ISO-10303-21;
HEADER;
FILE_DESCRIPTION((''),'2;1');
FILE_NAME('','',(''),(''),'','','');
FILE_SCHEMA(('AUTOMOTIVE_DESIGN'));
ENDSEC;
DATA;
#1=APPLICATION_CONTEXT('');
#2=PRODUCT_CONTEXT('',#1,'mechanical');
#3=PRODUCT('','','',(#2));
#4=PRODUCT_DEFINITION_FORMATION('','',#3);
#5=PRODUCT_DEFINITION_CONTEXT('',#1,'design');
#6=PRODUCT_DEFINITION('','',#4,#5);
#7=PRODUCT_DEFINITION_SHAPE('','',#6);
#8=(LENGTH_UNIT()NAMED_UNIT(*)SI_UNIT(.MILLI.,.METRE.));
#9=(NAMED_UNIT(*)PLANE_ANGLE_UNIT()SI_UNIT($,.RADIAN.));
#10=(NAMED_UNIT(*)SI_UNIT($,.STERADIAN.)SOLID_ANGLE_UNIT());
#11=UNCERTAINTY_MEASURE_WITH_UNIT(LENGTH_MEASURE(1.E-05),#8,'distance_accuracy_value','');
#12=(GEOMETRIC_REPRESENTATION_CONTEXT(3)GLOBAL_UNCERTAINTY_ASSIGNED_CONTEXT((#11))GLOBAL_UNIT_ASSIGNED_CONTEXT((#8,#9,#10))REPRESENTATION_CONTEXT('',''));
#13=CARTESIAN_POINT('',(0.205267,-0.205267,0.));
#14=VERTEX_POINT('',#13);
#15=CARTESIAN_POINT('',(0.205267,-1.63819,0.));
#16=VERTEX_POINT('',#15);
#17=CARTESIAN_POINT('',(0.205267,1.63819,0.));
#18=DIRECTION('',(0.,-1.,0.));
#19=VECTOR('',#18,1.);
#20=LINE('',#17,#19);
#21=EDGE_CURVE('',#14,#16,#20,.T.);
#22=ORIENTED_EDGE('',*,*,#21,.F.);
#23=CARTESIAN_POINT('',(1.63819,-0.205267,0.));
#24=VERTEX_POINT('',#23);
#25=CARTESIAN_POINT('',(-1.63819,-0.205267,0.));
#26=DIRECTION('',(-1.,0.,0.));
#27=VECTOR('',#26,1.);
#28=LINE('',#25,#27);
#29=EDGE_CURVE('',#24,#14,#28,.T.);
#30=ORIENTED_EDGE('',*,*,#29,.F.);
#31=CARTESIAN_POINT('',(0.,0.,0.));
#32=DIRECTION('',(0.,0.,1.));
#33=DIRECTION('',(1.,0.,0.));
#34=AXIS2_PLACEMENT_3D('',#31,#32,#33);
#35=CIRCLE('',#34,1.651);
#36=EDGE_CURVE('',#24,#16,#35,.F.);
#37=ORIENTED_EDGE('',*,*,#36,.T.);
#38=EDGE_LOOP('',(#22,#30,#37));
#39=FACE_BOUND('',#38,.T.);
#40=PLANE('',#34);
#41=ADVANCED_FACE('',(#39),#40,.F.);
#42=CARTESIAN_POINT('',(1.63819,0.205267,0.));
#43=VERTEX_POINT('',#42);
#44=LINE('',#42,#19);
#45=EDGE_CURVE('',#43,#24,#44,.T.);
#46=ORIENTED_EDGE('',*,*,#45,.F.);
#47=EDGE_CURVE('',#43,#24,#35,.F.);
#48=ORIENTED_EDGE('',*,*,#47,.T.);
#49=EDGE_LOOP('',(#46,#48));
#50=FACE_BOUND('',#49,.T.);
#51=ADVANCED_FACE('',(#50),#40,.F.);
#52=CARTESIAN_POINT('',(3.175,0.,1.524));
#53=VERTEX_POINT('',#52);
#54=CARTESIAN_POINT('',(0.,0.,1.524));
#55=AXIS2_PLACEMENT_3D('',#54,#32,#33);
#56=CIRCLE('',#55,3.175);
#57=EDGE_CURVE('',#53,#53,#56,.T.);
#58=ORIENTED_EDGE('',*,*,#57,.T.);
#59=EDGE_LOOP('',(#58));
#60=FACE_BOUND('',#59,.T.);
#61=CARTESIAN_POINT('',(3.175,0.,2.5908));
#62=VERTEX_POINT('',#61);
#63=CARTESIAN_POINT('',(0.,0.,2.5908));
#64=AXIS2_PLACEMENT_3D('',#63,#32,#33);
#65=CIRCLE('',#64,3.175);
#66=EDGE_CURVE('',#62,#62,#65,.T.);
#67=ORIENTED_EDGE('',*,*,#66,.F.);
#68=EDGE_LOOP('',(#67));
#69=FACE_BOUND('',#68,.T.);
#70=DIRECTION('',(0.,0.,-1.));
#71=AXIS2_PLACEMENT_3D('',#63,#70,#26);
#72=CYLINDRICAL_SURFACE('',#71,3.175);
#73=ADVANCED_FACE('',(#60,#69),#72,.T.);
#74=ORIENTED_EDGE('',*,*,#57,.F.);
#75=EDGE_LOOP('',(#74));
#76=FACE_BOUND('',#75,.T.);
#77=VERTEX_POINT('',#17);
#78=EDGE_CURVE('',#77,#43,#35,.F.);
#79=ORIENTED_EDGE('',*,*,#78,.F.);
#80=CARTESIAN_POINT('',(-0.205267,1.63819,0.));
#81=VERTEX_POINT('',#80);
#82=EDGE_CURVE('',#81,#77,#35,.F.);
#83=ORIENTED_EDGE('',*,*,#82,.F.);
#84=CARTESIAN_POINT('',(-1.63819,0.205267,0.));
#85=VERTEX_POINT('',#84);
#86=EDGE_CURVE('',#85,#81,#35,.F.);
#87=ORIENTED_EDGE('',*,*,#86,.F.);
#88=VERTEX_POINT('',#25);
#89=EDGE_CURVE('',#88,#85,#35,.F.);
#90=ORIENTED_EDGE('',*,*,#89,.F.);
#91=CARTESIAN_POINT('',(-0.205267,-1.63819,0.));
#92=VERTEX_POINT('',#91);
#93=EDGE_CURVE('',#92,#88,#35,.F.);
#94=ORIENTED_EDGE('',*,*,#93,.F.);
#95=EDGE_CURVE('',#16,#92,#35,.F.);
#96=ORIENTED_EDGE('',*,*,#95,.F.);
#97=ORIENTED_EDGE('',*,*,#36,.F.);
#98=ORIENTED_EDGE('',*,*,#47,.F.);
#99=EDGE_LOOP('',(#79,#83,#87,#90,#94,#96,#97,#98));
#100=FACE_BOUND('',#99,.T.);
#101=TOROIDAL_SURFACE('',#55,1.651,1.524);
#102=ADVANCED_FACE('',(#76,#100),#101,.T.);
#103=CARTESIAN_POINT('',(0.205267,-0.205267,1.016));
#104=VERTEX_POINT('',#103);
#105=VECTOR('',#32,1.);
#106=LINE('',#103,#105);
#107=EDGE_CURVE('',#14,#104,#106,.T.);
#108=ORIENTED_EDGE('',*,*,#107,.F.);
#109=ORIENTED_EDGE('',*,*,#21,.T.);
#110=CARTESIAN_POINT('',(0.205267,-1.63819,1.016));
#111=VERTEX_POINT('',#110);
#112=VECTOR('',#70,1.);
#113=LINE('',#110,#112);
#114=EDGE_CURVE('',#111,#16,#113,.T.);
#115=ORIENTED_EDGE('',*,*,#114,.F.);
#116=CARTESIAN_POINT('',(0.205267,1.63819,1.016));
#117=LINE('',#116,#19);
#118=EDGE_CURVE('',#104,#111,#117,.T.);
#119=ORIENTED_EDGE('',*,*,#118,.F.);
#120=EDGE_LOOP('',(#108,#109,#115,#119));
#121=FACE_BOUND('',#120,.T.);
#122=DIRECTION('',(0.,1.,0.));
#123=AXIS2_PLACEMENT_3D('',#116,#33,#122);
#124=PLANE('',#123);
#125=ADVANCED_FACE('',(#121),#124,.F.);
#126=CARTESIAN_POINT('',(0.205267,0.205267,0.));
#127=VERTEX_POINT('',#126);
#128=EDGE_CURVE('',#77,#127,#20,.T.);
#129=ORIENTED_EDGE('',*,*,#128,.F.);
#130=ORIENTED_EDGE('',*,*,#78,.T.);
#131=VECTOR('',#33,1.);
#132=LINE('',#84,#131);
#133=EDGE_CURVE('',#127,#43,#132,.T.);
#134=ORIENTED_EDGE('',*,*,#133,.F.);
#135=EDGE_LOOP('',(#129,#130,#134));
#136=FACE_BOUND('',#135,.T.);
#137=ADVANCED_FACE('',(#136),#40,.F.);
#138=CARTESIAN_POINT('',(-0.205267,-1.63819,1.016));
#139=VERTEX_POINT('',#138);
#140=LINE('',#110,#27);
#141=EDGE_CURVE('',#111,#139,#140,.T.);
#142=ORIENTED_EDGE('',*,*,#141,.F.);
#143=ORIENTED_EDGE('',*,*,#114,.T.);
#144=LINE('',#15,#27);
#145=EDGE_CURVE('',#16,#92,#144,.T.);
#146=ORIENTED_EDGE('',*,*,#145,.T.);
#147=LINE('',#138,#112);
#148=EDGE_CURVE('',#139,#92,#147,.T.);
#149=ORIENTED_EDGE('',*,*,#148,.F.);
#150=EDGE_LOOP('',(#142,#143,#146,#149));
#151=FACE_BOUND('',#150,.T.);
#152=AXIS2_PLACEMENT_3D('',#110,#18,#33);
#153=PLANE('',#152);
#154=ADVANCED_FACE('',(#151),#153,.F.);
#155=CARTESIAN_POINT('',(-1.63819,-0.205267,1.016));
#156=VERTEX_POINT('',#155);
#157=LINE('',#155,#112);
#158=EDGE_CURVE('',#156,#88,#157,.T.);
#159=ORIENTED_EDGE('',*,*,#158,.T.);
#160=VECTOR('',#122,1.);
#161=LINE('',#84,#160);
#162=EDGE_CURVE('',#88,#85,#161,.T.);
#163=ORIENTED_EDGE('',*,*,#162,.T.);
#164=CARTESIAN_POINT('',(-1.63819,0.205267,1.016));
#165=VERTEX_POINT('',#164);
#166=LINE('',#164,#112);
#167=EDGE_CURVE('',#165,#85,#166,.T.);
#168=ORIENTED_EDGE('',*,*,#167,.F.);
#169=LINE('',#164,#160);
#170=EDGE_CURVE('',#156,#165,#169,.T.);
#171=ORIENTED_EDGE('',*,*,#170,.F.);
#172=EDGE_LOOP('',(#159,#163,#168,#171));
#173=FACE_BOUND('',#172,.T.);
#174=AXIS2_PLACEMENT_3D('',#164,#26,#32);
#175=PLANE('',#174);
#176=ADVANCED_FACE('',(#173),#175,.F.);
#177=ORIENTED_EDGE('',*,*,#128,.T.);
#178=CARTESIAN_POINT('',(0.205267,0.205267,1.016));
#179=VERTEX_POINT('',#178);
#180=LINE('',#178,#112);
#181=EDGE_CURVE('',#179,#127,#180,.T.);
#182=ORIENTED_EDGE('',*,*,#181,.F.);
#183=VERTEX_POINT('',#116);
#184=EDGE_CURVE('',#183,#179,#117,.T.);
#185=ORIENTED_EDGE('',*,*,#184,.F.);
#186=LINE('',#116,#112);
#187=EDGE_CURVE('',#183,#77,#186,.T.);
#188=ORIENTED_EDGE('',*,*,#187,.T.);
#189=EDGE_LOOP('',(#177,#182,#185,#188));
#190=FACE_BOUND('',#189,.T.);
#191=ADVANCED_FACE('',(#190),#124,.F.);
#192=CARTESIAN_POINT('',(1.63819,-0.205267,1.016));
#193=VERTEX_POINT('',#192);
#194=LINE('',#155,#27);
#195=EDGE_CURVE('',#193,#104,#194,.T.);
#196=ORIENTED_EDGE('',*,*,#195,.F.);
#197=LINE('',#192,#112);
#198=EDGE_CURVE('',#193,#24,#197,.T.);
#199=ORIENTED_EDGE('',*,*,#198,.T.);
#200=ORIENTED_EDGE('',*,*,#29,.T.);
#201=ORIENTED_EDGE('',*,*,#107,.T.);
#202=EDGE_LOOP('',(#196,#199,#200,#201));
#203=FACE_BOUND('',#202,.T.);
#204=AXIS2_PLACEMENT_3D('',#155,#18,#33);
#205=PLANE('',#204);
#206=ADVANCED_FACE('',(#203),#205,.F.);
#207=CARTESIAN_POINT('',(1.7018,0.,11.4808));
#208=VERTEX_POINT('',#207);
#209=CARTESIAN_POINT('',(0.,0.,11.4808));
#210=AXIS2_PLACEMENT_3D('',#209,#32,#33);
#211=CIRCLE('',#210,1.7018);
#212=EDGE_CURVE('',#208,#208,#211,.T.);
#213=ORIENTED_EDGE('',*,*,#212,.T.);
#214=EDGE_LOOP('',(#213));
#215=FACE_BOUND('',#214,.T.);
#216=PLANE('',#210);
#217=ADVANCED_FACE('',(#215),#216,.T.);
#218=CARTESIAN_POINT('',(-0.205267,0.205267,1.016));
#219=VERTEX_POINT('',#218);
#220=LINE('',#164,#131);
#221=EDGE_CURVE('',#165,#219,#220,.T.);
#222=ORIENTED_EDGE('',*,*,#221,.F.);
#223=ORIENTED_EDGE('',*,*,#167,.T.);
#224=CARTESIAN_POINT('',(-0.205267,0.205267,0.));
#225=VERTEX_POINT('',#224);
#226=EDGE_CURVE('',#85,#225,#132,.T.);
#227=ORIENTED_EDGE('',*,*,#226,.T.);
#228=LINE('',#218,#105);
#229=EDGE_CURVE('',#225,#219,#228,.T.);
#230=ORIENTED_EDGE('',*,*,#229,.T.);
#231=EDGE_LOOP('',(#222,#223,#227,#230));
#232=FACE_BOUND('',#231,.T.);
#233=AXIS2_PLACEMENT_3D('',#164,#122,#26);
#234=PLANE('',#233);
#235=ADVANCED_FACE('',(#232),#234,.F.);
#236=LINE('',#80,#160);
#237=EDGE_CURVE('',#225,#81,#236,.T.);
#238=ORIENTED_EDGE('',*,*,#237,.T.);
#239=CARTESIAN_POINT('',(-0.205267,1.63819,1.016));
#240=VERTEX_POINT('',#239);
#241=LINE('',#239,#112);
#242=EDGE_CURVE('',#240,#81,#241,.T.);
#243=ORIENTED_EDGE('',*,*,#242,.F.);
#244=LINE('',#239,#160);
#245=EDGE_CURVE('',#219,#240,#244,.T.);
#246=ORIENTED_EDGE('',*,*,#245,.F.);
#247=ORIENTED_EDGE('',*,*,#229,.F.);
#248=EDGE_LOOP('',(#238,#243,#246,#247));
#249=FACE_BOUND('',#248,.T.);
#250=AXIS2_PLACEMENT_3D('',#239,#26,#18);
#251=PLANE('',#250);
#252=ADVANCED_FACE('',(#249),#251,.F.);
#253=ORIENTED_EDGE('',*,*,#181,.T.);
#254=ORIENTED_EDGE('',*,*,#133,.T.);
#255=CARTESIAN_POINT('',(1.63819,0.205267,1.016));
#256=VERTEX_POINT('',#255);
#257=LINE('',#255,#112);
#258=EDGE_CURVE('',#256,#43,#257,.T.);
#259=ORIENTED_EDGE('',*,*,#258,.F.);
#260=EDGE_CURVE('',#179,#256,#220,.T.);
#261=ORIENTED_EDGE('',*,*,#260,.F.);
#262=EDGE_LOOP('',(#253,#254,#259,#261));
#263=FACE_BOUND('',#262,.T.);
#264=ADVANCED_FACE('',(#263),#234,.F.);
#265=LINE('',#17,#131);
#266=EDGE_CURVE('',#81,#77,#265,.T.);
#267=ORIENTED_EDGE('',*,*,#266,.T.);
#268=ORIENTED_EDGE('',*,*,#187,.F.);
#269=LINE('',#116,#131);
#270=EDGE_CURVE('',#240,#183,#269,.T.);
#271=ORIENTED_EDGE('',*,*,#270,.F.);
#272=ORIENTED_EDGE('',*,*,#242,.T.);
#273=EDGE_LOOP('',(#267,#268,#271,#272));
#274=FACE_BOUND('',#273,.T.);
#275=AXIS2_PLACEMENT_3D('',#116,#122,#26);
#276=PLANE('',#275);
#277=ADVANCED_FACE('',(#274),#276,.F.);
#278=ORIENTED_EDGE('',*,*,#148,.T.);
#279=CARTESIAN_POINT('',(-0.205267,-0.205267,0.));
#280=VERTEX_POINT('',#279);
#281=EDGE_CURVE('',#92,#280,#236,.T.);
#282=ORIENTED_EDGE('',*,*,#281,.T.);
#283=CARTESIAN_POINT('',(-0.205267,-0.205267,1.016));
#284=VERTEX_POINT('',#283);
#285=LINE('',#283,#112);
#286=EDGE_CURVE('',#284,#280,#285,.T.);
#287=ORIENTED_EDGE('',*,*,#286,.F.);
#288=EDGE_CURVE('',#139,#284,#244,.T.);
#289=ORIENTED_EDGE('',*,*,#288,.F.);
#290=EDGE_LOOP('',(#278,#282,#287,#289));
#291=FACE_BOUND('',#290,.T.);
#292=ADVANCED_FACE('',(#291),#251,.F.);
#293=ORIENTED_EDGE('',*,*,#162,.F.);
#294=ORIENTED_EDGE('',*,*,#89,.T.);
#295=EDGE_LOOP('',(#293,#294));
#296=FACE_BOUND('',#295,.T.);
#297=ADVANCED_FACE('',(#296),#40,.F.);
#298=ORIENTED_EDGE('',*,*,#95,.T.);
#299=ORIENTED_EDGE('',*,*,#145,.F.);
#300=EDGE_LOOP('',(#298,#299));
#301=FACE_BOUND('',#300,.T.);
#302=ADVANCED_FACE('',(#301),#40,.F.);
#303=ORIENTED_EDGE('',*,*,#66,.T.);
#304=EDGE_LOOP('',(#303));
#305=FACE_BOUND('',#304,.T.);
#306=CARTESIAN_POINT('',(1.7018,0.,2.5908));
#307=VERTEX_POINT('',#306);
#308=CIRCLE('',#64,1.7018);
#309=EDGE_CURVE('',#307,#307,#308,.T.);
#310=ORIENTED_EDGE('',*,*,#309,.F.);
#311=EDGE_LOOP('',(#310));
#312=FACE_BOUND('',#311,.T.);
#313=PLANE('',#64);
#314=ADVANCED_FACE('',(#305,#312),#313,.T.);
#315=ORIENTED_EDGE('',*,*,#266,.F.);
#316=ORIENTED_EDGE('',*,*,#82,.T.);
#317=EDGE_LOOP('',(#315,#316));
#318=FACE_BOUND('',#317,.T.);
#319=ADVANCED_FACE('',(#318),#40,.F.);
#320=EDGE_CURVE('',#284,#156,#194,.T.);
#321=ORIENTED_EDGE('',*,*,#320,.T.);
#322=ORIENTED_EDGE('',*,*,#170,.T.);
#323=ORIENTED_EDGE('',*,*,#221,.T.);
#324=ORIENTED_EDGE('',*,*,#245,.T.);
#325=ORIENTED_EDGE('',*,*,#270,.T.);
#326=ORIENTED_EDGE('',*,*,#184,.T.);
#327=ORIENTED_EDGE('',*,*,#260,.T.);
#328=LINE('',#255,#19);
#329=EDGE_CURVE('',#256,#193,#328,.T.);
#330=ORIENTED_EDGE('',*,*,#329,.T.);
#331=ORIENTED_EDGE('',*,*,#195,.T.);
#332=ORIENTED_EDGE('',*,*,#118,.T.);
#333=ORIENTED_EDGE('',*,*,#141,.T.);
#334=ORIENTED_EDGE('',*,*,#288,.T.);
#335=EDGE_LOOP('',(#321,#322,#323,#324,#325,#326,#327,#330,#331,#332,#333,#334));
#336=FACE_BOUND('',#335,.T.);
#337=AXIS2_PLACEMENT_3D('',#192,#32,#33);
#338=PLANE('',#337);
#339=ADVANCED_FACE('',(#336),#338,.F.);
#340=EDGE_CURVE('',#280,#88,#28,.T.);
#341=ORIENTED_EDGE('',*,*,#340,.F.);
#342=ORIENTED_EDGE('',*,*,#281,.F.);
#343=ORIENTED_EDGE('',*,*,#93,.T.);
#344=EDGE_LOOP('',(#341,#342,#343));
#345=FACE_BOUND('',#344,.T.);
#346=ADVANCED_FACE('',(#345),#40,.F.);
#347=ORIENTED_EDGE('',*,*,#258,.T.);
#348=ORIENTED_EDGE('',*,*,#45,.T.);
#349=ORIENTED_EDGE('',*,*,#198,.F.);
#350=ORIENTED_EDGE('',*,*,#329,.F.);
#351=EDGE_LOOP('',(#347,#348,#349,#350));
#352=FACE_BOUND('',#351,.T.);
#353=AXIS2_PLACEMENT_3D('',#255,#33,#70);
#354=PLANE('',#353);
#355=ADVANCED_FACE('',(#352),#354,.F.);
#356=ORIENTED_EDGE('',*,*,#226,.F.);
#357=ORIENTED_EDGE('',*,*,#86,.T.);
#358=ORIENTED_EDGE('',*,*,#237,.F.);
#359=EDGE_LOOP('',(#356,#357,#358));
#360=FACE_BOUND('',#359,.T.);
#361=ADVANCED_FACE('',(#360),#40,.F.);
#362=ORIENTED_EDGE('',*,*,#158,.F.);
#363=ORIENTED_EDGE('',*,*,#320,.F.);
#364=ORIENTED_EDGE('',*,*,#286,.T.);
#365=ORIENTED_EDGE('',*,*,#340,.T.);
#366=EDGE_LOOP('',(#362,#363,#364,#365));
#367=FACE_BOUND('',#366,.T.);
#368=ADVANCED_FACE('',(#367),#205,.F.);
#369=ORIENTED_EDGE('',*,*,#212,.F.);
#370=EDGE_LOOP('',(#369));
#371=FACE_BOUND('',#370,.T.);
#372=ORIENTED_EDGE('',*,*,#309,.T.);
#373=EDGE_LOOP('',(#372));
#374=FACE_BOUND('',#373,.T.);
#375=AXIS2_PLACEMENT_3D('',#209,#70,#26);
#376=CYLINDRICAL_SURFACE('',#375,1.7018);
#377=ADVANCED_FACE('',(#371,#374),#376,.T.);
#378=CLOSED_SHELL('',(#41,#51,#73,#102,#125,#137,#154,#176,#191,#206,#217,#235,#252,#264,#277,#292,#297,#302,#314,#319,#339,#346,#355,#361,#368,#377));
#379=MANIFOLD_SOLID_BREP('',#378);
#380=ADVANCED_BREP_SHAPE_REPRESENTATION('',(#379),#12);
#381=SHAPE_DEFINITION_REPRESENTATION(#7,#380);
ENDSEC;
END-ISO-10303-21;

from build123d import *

# Parameters (mm, degrees)
SKETCH1_R         = 3.175
EXTRUDE1_DEPTH    = 2.5908
FILLET1_R         = 1.524
SKETCH2_R         = 1.7018
EXTRUDE2_DEPTH    = 8.89
SKETCH3_W         = 3.27637992
SKETCH3_H         = 0.410534548
EXTRUDE3_DEPTH    = 1.016
CIRPATTERN1_COUNT = 2
CIRPATTERN1_ANGLE = 90


with BuildPart() as part:
    # Sketch1 → Extrude1 (new body)
    with BuildSketch(Plane.XY):
        Circle(SKETCH1_R)
    extrude(amount=EXTRUDE1_DEPTH)

    # Fillet1
    fillet1_edges = [part.edges().sort_by_distance(p)[0] for p in [
        (-3.175, 0, 0),
    ]]
    fillet(fillet1_edges, radius=FILLET1_R)

    # Sketch2 → Extrude2 (add)
    with BuildSketch(Plane.XY.offset(2.5908)):
        Circle(SKETCH2_R)
    extrude(amount=EXTRUDE2_DEPTH)

    # Sketch3 → Extrude3 (cut)
    with BuildSketch(Plane(origin=(0, 0, 0), x_dir=(-1, 0, 0), z_dir=(0, 0, -1))):
        Rectangle(SKETCH3_W, SKETCH3_H)
    extrude3 = extrude(amount=-EXTRUDE3_DEPTH, mode=Mode.SUBTRACT)

    # CirPattern1: Extrude3 ×2 about axis
    cirpattern1_axis = Axis((0, 0, 0), (0, 0, -1))
    for i in range(1, CIRPATTERN1_COUNT):
        add(extrude3.rotate(cirpattern1_axis, i * CIRPATTERN1_ANGLE / (CIRPATTERN1_COUNT - 1)), mode=Mode.SUBTRACT)


solid = part.part
